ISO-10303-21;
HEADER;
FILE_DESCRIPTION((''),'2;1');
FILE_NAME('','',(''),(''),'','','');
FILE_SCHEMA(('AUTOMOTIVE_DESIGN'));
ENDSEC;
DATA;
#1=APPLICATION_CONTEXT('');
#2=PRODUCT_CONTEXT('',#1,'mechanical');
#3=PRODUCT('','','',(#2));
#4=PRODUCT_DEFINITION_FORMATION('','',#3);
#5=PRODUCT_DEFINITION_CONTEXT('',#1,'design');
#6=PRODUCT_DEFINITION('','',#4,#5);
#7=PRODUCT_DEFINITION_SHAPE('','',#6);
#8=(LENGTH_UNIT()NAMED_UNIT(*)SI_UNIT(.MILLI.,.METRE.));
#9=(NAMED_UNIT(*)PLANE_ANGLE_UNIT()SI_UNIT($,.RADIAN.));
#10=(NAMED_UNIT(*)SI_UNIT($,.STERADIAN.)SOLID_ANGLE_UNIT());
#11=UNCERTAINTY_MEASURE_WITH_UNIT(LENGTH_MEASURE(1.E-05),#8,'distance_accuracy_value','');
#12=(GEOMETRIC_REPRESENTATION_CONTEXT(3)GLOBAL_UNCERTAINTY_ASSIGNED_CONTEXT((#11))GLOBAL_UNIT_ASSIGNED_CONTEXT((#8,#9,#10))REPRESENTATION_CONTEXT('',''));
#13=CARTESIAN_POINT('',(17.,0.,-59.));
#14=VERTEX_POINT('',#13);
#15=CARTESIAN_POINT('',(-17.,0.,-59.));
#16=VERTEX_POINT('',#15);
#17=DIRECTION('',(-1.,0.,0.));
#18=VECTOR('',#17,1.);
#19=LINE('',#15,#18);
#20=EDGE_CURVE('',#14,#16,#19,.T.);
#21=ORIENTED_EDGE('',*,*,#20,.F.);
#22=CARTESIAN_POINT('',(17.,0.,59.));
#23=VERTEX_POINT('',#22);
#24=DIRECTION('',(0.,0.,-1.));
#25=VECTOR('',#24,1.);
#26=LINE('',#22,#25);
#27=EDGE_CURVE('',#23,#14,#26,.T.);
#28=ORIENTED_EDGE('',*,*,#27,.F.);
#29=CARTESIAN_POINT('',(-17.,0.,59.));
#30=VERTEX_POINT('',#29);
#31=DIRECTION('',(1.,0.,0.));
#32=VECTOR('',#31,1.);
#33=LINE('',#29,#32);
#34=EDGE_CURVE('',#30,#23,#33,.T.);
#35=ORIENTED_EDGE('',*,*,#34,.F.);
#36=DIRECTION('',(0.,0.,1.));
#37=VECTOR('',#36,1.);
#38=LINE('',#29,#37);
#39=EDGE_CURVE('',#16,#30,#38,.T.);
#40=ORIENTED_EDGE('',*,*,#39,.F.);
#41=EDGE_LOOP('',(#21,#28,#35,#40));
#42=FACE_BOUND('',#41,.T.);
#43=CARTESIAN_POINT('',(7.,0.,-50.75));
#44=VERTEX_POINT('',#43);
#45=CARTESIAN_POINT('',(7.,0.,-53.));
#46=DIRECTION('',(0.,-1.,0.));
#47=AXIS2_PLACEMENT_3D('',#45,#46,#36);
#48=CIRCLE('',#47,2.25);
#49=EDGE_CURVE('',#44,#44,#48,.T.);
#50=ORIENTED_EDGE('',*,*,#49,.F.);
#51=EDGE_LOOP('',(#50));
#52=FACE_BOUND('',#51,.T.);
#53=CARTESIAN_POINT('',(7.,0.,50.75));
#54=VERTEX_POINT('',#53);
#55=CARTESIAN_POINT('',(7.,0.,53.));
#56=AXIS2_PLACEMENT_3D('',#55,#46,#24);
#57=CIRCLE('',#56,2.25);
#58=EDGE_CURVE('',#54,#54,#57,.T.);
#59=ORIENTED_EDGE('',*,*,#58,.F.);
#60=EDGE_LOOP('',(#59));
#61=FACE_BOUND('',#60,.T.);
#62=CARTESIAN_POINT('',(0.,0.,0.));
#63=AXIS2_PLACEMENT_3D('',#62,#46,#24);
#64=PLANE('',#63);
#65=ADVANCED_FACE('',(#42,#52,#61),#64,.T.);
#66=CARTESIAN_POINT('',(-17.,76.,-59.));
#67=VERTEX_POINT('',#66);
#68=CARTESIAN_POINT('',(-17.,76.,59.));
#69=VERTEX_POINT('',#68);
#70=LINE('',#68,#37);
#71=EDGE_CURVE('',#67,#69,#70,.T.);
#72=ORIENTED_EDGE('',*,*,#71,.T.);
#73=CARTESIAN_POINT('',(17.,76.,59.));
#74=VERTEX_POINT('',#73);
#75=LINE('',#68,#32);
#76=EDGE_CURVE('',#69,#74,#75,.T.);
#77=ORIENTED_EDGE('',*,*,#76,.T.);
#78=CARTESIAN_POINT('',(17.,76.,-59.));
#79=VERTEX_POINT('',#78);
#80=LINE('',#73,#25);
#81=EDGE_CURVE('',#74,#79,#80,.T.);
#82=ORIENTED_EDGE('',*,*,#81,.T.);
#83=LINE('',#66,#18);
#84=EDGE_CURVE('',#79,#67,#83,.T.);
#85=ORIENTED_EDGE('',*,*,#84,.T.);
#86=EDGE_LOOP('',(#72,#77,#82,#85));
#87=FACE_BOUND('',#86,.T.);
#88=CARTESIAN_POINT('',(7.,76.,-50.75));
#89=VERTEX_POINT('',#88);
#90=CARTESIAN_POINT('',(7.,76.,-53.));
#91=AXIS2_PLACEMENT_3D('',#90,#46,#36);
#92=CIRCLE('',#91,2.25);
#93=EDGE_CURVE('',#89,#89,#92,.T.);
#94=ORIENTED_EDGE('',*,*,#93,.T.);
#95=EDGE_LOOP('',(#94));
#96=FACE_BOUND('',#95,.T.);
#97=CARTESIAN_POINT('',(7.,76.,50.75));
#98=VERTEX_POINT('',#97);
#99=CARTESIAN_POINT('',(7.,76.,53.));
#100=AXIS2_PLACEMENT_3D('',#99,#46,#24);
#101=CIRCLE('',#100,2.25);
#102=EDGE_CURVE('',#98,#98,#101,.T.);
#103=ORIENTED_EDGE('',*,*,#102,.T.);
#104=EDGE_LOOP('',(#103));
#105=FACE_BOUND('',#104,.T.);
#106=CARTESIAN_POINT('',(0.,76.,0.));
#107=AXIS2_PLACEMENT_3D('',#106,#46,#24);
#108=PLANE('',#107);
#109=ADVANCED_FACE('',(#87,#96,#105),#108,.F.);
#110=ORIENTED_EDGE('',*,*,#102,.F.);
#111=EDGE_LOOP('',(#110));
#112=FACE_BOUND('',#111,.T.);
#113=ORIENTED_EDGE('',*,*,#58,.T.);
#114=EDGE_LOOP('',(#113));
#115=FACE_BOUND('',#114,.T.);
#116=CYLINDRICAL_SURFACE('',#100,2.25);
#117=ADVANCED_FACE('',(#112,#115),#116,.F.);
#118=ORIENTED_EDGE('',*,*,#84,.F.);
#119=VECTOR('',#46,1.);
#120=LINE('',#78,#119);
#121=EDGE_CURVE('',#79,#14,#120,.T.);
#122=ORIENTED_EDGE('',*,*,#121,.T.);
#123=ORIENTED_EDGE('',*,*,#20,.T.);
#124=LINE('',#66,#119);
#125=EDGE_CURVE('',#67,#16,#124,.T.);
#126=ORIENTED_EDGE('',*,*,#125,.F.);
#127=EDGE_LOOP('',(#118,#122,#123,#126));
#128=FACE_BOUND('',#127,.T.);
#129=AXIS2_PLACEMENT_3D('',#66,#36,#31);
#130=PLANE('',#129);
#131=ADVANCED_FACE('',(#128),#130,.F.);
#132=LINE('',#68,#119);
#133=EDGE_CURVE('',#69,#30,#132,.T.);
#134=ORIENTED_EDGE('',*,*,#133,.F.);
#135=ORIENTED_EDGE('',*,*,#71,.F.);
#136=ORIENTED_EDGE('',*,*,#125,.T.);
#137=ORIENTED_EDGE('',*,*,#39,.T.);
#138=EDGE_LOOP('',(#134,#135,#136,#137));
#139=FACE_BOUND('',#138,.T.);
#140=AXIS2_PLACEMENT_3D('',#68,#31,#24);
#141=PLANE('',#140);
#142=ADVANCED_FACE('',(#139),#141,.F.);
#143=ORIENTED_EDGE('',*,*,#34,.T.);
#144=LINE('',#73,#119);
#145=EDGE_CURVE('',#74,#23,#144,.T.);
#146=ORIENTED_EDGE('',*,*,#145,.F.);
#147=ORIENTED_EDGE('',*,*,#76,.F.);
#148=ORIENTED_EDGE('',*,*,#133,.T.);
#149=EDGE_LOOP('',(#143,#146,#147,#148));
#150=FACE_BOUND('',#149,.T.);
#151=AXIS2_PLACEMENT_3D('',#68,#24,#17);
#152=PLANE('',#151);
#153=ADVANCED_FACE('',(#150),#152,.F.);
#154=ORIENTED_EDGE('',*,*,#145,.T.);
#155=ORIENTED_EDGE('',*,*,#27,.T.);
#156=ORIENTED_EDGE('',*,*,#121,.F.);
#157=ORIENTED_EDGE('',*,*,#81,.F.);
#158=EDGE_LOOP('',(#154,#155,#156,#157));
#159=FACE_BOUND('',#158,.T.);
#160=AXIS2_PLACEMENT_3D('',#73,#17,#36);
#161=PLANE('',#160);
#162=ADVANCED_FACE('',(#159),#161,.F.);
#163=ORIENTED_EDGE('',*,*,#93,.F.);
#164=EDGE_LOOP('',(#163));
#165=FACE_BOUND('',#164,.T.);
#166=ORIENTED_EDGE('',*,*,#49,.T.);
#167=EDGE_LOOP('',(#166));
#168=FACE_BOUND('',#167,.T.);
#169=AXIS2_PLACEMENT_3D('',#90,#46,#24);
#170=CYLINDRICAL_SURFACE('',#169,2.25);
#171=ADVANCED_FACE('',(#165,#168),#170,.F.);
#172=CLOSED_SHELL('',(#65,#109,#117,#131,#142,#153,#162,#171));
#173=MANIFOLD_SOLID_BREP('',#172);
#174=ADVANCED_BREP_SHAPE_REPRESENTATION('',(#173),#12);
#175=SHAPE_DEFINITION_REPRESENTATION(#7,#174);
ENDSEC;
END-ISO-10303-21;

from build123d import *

# Parameters (mm, degrees)
SKETCH_1_W          = 34
SKETCH_1_H          = 118
EXTRUDE_1_DEPTH     = 76
SKETCH_2_R          = 2.25
CUT_EXTRUDE_1_DEPTH = 98.703633505


with BuildPart() as part:
    # 草图1 → 凸台-拉伸1 (new body)
    with BuildSketch(Plane(origin=(0, 0, 0), x_dir=(1, 0, 0), z_dir=(0, 1, 0))):
        Rectangle(SKETCH_1_W, SKETCH_1_H)
    extrude(amount=EXTRUDE_1_DEPTH)

    # 草图2 → 切除-拉伸1 (cut, through all)
    with BuildSketch(Plane.XZ):
        with Locations(Location((7, 53, 0), (0, 0, 270))):
            Circle(SKETCH_2_R)
        with Locations(Location((7, -53, 0), (0, 0, 90))):
            Circle(SKETCH_2_R)
    extrude(amount=-CUT_EXTRUDE_1_DEPTH, mode=Mode.SUBTRACT)


solid = part.part
